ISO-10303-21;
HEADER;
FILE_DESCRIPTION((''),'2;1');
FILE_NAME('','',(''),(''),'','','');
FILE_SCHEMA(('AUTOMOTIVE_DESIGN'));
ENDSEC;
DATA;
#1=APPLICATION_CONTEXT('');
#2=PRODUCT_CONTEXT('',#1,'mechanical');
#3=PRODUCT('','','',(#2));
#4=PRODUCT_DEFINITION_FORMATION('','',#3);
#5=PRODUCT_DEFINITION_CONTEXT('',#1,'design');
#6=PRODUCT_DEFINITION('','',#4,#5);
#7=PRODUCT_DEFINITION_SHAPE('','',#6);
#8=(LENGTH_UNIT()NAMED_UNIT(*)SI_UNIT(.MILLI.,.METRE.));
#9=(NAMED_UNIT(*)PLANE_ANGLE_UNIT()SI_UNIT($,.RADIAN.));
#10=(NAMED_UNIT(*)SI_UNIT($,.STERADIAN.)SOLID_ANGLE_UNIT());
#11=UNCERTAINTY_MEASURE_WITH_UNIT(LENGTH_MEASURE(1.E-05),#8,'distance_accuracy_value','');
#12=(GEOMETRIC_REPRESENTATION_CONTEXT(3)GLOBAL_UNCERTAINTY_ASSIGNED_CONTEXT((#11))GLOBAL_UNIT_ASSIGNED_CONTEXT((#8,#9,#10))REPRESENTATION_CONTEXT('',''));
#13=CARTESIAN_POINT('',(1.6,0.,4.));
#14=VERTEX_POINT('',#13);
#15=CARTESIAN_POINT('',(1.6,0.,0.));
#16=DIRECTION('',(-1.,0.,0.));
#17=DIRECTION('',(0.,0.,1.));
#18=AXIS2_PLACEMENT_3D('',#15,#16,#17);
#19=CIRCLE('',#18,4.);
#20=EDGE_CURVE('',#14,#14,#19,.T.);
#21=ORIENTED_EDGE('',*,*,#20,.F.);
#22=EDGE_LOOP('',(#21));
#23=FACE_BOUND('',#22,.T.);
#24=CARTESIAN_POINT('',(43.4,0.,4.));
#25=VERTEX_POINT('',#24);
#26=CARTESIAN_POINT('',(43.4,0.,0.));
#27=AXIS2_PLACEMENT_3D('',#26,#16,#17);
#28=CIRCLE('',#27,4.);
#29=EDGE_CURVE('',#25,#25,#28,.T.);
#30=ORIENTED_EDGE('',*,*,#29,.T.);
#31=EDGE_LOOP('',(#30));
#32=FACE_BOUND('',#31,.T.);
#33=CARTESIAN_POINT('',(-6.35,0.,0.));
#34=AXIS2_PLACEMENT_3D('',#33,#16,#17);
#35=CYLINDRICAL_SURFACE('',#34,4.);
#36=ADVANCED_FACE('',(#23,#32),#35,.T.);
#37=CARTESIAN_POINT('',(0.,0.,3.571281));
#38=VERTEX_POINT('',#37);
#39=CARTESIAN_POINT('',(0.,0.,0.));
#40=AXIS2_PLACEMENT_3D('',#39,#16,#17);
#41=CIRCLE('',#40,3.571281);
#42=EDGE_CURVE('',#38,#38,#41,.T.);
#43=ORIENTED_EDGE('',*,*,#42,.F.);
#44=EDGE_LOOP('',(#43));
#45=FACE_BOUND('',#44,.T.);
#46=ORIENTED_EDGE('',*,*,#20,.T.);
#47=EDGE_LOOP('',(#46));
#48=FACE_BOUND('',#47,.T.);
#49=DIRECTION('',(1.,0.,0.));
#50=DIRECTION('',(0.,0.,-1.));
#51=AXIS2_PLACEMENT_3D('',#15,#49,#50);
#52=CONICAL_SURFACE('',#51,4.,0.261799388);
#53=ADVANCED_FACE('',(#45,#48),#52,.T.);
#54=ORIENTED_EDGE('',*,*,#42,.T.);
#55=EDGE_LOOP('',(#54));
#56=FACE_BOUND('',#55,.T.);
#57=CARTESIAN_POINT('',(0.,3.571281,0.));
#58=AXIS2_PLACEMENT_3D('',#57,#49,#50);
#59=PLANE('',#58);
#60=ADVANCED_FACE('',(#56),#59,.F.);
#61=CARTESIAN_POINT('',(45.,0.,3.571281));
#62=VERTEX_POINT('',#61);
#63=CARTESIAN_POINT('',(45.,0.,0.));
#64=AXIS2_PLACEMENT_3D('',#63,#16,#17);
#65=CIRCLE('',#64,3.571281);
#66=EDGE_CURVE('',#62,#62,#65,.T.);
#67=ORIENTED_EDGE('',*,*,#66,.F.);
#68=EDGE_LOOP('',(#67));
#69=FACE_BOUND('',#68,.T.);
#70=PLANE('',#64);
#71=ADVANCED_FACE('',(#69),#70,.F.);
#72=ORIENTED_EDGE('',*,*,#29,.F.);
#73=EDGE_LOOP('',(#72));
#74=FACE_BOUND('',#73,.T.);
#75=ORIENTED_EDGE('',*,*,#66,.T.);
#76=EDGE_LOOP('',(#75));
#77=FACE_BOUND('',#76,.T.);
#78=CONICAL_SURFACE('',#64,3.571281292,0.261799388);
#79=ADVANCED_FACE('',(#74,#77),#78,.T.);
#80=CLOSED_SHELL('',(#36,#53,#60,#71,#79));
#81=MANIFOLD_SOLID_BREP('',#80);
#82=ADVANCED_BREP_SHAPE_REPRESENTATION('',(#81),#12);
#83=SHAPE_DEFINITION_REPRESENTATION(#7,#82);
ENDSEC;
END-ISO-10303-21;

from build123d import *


with BuildPart() as part:
    # Sketch1 → Base-Revolve (revolve)
    with BuildSketch(Plane.XY, mode=Mode.PRIVATE) as base_revolve_sk:
        Polygon((0, 0), (45, 0), (45, 3.571281292), (43.4, 4), (1.6, 4), (0, 3.571281292), align=None)
    revolve(base_revolve_sk.sketch.rotate(Axis((-6.35, 0, 0), (1, 0, 0)), 90), axis=Axis((-6.35, 0, 0), (1, 0, 0)))


solid = part.part
